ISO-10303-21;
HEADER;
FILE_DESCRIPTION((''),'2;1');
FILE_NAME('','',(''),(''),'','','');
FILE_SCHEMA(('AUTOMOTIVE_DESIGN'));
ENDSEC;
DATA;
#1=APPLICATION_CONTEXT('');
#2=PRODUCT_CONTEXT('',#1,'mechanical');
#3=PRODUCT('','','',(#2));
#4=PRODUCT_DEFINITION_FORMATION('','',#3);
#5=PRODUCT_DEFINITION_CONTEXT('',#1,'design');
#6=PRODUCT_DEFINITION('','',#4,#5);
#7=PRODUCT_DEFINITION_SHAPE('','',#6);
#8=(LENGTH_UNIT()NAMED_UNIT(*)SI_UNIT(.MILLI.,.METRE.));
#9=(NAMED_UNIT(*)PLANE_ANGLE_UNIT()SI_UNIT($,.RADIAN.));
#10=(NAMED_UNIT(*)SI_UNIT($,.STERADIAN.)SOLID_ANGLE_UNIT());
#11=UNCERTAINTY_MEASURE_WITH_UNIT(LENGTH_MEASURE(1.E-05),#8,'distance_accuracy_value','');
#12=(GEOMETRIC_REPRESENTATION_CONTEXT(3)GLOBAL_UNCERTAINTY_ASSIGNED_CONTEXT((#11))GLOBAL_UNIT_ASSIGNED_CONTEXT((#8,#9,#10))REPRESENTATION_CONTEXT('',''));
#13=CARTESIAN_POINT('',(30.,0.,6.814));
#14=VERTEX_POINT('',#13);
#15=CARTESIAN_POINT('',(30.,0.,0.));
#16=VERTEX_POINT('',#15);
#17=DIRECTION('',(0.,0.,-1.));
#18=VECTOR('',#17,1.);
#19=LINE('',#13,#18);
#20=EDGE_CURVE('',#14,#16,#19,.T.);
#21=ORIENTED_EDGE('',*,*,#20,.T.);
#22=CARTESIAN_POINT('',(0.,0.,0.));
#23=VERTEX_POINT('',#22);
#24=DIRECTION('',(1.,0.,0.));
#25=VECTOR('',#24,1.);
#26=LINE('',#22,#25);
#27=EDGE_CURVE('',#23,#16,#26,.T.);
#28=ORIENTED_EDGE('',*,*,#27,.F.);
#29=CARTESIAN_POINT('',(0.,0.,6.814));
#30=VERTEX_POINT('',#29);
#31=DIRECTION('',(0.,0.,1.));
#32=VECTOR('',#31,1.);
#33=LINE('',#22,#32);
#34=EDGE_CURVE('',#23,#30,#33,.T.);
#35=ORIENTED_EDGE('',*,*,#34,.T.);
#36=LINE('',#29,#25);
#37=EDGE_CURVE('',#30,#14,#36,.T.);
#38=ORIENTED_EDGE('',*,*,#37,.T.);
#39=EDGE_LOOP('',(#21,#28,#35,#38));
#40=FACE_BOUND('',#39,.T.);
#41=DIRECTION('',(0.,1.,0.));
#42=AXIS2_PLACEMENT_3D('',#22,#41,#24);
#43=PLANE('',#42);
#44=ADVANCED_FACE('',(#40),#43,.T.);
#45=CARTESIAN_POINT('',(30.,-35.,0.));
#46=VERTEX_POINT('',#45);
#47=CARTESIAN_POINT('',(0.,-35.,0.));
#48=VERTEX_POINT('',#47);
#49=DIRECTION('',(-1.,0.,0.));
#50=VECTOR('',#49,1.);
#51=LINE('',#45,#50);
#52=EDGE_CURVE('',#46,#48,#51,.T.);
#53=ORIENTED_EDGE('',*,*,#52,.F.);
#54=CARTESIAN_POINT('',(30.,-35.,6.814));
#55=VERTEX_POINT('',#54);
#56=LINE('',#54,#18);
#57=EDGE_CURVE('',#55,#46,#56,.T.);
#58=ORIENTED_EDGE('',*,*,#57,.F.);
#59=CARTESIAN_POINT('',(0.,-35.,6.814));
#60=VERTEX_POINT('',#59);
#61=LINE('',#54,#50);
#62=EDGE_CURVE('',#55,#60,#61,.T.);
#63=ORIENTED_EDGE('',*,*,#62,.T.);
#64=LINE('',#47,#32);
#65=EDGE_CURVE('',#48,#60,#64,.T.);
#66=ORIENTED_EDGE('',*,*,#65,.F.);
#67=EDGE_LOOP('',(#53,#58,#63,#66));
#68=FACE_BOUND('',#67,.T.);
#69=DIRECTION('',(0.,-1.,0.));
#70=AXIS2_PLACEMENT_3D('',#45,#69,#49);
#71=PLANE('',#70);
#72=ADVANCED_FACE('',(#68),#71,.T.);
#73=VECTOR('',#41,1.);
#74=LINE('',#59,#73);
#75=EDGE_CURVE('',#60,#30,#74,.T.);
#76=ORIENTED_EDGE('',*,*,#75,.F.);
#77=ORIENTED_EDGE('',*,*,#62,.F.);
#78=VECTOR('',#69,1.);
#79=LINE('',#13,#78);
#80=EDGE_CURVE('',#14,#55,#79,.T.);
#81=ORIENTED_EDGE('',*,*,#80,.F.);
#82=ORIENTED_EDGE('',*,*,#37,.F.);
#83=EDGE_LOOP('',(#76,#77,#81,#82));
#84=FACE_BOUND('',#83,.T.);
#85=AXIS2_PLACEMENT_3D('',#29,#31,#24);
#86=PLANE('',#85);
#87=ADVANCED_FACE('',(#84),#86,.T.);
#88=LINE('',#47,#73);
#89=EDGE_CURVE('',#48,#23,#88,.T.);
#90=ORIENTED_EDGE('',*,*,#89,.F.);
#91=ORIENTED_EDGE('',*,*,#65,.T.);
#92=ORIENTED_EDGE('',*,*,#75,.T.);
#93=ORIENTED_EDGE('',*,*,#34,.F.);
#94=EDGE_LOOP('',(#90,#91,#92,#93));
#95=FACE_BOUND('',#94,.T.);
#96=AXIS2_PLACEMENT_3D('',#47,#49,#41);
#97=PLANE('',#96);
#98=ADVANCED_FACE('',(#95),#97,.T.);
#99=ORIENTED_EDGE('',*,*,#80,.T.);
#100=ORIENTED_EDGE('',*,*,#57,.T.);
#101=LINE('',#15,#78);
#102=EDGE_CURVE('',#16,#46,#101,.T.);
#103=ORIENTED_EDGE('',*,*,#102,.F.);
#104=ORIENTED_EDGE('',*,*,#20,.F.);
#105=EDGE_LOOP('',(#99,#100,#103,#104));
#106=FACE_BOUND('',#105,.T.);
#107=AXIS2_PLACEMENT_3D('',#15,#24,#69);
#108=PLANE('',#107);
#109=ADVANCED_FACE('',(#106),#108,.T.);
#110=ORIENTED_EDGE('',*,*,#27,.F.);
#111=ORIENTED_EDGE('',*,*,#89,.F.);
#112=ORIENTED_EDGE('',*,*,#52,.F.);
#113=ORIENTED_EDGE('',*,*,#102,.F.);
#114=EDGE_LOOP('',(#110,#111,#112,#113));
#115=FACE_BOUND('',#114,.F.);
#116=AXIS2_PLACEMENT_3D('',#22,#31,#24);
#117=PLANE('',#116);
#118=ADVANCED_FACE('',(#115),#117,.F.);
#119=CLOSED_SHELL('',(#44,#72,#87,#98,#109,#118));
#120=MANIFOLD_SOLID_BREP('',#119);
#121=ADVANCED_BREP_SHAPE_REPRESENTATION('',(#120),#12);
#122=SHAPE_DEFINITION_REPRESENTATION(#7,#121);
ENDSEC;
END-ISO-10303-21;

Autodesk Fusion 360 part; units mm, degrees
sketch "Sketch1" plane through (0, 0, 0) normal (0, 0, 1) x (1, 0, 0)
  line L0 (-1.05, 4.05) -> (1.15, 4.05)
  line L1 (1.15, 4.05) -> (1.15, -4.15)
  line L2 (1.15, -4.15) -> (-1.05, -4.15)
  line L3 (-1.05, 0.9) -> (-4, 0.9)
  line L4 (-4, 0.9) -> (-4, -0.8)
  line L5 (-4, -0.8) -> (-1.05, -0.8)
  line L6 (1.15, -0.9) -> (1.15, 0.9)
  line L7 (-1.05, -4.15) -> (-1.05, -0.8)
  line L8 (-1.05, 0.9) -> (-1.05, 4.05)
  dimension "d1" = 2.2
  dimension "d2" = 8.2
  dimension "d4" = 4.15
  dimension "d5" = 1.15
  dimension "d6" = 1.7
  dimension "d7" = 0.9
  dimension "d12" = 4
extrude "Extrude1" add sketch "Sketch1" along normal blind 6.814
equation "d1 = 2.5 mm - 0.3 mm"
equation "d2 = 8.60 mm - 0.4 mm"
equation "d4 = ( 8.3 / 2 ) * 1 mm"
equation "d5 = ( 2.3 / 2 ) * 1 mm"
equation "d6 = 2 mm - 0.3 mm"
equation "d7 = ( 1.8 / 2 ) * 1 mm"
equation "d10 = 6.964 mm - 0.15 mm"
equation "d12 = 4.3 mm - 0.3 mm"

Autodesk Fusion 360 part; units mm, degrees
sketch "Sketch1" plane through (0, 0, 0) normal (0, 0, 1) x (1, 0, 0)
  line L0 (0, 0) -> (30, 0)
  line L1 (30, 0) -> (30, -35)
  line L2 (30, -35) -> (0, -35)
  line L3 (0, -35) -> (0, 0)
  dimension "d1" = 35
  dimension "d2" = 30
extrude "Extrude1" add sketch "Sketch1" along normal blind 5
